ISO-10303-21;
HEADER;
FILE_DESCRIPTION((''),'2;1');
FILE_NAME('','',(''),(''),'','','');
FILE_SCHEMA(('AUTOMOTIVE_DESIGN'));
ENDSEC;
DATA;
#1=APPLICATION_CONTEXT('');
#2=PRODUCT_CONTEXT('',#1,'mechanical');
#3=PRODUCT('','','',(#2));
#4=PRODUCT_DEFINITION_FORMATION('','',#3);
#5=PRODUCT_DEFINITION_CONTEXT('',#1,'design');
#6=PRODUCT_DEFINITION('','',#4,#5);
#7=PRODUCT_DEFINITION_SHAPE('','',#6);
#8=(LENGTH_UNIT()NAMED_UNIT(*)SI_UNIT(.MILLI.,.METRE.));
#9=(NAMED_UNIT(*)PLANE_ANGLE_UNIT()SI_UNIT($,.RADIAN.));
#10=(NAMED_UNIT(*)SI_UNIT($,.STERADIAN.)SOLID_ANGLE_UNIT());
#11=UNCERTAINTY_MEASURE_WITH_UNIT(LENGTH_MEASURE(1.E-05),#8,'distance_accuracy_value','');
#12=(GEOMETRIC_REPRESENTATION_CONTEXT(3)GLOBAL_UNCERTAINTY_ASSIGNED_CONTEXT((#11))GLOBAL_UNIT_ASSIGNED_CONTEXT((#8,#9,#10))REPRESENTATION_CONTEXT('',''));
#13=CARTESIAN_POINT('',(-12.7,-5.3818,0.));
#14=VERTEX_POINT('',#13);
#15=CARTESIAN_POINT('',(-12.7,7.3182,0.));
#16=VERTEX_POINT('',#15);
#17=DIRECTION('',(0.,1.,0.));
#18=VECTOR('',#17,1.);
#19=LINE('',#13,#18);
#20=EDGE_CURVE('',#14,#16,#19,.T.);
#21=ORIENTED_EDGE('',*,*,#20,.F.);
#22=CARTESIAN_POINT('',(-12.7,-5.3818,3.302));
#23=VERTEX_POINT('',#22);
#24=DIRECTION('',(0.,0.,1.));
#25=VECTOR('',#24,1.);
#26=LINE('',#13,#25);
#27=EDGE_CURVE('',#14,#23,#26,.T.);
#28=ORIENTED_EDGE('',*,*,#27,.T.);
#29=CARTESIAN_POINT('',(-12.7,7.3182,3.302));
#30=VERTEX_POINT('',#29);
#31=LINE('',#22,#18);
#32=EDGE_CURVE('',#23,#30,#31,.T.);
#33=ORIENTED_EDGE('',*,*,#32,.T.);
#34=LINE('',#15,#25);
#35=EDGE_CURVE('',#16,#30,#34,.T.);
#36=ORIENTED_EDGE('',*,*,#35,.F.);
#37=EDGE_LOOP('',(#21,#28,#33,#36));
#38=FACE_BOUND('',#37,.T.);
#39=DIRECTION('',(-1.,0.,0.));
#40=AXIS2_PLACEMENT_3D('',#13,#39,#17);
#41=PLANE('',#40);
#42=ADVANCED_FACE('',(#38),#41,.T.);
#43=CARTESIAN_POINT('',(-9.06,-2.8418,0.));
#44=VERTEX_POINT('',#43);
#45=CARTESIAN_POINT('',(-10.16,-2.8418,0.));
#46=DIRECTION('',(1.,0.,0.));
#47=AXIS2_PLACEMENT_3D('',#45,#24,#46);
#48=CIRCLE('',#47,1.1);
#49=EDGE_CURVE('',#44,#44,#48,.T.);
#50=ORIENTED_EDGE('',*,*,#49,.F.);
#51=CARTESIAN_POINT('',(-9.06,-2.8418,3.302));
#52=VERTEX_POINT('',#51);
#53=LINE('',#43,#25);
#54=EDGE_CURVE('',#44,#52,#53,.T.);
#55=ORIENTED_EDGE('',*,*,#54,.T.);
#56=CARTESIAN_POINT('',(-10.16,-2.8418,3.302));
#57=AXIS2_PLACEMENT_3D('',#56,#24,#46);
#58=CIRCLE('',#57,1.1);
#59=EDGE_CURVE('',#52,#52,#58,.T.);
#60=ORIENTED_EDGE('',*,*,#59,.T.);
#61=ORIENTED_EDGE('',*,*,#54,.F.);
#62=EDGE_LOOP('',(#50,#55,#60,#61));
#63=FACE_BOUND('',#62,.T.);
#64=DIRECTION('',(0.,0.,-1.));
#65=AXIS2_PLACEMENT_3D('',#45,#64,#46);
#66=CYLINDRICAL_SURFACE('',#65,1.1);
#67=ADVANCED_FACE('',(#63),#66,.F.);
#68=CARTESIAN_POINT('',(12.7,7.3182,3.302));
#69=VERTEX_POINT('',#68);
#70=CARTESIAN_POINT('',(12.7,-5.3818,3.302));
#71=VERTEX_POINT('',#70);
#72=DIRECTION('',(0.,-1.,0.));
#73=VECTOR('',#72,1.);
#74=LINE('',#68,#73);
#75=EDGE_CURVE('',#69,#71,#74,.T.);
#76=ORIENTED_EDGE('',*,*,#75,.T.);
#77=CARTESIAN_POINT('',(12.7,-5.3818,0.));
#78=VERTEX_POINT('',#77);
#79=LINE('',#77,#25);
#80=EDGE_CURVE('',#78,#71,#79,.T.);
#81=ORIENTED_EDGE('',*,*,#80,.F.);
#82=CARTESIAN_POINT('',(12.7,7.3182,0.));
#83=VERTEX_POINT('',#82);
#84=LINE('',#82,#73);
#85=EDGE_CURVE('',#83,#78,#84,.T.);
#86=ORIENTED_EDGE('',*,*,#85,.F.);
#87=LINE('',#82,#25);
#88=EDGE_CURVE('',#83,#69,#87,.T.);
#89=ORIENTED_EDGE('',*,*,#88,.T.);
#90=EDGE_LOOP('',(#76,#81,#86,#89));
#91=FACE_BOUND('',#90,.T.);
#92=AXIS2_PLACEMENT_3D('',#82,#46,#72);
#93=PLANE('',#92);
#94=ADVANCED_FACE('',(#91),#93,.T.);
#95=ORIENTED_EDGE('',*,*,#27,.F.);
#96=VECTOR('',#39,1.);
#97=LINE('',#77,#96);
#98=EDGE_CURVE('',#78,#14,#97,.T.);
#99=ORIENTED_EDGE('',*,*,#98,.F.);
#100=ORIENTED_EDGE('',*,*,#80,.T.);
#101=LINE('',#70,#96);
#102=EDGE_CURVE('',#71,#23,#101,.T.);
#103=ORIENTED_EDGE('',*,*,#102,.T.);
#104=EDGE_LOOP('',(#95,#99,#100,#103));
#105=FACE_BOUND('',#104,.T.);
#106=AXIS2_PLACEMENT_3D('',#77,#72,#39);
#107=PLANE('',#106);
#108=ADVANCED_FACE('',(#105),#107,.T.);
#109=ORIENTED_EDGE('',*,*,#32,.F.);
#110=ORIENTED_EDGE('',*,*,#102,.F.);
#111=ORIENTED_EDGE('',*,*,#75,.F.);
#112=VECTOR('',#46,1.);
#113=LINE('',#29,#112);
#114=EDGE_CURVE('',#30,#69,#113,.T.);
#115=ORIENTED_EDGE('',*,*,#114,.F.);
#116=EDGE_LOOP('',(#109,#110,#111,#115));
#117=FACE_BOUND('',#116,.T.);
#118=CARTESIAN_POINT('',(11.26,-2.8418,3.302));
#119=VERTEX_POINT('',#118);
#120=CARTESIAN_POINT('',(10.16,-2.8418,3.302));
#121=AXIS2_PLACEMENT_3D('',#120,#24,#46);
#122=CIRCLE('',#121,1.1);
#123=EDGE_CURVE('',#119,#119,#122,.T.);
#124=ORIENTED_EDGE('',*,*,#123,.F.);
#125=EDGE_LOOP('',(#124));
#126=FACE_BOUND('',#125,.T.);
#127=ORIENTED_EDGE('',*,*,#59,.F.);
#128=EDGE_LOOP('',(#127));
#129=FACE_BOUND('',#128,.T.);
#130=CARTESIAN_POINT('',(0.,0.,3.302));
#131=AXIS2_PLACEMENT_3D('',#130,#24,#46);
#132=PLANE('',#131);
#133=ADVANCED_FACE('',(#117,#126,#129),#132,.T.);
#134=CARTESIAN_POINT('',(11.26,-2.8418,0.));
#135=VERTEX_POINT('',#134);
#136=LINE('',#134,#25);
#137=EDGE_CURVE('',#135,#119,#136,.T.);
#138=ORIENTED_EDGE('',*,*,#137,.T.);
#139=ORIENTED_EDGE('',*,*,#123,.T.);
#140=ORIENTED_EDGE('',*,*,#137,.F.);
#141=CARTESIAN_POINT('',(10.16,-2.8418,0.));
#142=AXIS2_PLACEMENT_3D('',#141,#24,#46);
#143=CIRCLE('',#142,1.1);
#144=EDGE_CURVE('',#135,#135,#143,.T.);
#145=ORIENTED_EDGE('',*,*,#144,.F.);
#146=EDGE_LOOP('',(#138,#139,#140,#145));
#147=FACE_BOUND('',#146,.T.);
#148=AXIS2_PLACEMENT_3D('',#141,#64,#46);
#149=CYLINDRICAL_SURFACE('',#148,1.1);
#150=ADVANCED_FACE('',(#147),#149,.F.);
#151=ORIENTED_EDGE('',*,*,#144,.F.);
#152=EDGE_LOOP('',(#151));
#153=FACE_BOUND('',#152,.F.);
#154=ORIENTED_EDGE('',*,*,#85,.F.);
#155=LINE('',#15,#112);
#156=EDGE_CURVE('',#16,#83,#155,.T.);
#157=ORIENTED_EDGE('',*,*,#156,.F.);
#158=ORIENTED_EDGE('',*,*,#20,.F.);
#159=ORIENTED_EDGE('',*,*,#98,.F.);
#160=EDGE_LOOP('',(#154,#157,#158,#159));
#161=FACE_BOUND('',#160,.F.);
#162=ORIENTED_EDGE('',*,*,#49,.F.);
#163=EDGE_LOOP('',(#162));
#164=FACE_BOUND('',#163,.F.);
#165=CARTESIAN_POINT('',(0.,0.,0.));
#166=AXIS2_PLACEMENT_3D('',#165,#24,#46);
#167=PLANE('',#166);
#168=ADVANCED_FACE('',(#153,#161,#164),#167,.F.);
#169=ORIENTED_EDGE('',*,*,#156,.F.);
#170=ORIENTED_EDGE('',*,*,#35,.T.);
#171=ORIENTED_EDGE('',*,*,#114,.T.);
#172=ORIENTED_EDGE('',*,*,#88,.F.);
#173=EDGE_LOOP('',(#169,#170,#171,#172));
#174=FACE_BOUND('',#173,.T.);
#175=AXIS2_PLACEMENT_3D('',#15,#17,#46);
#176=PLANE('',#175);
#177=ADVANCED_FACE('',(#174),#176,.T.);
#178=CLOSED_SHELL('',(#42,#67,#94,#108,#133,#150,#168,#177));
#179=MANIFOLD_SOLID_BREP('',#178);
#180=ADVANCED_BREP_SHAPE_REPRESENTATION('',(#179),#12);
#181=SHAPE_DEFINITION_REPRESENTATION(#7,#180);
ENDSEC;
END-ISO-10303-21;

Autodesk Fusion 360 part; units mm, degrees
sketch "Sketch1" plane through (0, 0, 0) normal (0, 0, 1) x (1, 0, 0)
  line L0 (-12.7, 7.3182) -> (12.7, 7.3182)
  line L1 (12.7, 7.3182) -> (12.7, -5.3818)
  line L2 (12.7, -5.3818) -> (-12.7, -5.3818)
  line L3 (-12.7, -5.3818) -> (-12.7, 7.3182)
  circle A0 centre (-10.16, -2.8418) radius 1.1
  circle A1 centre (10.16, -2.8418) radius 1.1
  dimension "d1" = 25.4
  dimension "d2" = 12.7
  dimension "d3" = 2.2
  dimension "d4" = 2.2
  dimension "d5" = 20.32
  dimension "d6" = 2.54
  dimension "d7" = 2.54
  dimension "d8" = 2.54
extrude "Extrude1" add sketch "Sketch1" along normal blind 6.35
extrude "Extrude2" cut 1 faces at (3.1179, 4.1809, 6.35) along direction (0, 0, -1) blind 3.048
